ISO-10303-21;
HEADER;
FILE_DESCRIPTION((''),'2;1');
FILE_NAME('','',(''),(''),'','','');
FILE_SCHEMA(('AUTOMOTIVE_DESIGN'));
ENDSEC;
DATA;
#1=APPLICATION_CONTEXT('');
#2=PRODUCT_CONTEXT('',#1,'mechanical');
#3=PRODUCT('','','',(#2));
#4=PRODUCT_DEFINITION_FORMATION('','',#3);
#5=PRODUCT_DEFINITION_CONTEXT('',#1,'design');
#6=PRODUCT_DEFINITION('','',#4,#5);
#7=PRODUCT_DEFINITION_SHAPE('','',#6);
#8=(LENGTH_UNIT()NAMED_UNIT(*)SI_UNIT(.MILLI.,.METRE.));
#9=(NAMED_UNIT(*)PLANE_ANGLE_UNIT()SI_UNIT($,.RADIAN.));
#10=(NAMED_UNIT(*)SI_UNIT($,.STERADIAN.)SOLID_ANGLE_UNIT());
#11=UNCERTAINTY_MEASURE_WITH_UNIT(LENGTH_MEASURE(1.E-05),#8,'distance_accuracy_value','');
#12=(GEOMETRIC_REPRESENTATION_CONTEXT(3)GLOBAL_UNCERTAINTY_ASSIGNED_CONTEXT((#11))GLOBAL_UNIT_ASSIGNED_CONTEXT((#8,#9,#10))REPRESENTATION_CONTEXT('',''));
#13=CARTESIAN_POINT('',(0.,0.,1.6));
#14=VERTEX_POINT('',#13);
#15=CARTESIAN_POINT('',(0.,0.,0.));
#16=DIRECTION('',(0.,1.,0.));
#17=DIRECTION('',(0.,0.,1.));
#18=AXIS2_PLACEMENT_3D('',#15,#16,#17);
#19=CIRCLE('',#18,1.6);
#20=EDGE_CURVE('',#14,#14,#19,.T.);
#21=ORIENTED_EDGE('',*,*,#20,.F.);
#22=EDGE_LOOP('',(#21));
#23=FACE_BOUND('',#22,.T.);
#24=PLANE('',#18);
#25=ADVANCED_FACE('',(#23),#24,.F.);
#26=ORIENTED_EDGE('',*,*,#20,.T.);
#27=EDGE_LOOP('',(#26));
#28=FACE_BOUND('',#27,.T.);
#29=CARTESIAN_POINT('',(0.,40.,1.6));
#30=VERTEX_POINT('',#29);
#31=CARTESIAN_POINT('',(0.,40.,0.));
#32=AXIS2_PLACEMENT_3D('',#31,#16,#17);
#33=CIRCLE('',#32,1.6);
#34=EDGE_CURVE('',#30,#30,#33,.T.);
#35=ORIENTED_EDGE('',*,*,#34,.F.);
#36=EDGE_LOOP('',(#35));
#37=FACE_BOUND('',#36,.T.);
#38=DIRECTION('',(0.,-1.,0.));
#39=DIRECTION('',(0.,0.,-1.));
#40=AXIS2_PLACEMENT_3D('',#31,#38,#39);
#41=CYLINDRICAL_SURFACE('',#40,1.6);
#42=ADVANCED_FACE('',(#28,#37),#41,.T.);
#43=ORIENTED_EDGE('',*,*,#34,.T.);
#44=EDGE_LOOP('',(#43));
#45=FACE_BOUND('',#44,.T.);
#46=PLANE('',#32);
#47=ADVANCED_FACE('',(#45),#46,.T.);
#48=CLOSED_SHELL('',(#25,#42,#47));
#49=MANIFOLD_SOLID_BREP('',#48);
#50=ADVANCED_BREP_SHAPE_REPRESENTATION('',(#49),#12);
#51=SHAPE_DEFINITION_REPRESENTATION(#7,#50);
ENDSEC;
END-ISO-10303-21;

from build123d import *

# Parameters (mm, degrees)
SKETCH1_R           = 1.6
BOSS_EXTRUDE1_DEPTH = 40


with BuildPart() as part:
    # Sketch1 → Boss-Extrude1 (new body)
    with BuildSketch(Plane(origin=(0, 0, 0), x_dir=(1, 0, 0), z_dir=(0, 1, 0))):
        Circle(SKETCH1_R)
    extrude(amount=BOSS_EXTRUDE1_DEPTH)


solid = part.part
